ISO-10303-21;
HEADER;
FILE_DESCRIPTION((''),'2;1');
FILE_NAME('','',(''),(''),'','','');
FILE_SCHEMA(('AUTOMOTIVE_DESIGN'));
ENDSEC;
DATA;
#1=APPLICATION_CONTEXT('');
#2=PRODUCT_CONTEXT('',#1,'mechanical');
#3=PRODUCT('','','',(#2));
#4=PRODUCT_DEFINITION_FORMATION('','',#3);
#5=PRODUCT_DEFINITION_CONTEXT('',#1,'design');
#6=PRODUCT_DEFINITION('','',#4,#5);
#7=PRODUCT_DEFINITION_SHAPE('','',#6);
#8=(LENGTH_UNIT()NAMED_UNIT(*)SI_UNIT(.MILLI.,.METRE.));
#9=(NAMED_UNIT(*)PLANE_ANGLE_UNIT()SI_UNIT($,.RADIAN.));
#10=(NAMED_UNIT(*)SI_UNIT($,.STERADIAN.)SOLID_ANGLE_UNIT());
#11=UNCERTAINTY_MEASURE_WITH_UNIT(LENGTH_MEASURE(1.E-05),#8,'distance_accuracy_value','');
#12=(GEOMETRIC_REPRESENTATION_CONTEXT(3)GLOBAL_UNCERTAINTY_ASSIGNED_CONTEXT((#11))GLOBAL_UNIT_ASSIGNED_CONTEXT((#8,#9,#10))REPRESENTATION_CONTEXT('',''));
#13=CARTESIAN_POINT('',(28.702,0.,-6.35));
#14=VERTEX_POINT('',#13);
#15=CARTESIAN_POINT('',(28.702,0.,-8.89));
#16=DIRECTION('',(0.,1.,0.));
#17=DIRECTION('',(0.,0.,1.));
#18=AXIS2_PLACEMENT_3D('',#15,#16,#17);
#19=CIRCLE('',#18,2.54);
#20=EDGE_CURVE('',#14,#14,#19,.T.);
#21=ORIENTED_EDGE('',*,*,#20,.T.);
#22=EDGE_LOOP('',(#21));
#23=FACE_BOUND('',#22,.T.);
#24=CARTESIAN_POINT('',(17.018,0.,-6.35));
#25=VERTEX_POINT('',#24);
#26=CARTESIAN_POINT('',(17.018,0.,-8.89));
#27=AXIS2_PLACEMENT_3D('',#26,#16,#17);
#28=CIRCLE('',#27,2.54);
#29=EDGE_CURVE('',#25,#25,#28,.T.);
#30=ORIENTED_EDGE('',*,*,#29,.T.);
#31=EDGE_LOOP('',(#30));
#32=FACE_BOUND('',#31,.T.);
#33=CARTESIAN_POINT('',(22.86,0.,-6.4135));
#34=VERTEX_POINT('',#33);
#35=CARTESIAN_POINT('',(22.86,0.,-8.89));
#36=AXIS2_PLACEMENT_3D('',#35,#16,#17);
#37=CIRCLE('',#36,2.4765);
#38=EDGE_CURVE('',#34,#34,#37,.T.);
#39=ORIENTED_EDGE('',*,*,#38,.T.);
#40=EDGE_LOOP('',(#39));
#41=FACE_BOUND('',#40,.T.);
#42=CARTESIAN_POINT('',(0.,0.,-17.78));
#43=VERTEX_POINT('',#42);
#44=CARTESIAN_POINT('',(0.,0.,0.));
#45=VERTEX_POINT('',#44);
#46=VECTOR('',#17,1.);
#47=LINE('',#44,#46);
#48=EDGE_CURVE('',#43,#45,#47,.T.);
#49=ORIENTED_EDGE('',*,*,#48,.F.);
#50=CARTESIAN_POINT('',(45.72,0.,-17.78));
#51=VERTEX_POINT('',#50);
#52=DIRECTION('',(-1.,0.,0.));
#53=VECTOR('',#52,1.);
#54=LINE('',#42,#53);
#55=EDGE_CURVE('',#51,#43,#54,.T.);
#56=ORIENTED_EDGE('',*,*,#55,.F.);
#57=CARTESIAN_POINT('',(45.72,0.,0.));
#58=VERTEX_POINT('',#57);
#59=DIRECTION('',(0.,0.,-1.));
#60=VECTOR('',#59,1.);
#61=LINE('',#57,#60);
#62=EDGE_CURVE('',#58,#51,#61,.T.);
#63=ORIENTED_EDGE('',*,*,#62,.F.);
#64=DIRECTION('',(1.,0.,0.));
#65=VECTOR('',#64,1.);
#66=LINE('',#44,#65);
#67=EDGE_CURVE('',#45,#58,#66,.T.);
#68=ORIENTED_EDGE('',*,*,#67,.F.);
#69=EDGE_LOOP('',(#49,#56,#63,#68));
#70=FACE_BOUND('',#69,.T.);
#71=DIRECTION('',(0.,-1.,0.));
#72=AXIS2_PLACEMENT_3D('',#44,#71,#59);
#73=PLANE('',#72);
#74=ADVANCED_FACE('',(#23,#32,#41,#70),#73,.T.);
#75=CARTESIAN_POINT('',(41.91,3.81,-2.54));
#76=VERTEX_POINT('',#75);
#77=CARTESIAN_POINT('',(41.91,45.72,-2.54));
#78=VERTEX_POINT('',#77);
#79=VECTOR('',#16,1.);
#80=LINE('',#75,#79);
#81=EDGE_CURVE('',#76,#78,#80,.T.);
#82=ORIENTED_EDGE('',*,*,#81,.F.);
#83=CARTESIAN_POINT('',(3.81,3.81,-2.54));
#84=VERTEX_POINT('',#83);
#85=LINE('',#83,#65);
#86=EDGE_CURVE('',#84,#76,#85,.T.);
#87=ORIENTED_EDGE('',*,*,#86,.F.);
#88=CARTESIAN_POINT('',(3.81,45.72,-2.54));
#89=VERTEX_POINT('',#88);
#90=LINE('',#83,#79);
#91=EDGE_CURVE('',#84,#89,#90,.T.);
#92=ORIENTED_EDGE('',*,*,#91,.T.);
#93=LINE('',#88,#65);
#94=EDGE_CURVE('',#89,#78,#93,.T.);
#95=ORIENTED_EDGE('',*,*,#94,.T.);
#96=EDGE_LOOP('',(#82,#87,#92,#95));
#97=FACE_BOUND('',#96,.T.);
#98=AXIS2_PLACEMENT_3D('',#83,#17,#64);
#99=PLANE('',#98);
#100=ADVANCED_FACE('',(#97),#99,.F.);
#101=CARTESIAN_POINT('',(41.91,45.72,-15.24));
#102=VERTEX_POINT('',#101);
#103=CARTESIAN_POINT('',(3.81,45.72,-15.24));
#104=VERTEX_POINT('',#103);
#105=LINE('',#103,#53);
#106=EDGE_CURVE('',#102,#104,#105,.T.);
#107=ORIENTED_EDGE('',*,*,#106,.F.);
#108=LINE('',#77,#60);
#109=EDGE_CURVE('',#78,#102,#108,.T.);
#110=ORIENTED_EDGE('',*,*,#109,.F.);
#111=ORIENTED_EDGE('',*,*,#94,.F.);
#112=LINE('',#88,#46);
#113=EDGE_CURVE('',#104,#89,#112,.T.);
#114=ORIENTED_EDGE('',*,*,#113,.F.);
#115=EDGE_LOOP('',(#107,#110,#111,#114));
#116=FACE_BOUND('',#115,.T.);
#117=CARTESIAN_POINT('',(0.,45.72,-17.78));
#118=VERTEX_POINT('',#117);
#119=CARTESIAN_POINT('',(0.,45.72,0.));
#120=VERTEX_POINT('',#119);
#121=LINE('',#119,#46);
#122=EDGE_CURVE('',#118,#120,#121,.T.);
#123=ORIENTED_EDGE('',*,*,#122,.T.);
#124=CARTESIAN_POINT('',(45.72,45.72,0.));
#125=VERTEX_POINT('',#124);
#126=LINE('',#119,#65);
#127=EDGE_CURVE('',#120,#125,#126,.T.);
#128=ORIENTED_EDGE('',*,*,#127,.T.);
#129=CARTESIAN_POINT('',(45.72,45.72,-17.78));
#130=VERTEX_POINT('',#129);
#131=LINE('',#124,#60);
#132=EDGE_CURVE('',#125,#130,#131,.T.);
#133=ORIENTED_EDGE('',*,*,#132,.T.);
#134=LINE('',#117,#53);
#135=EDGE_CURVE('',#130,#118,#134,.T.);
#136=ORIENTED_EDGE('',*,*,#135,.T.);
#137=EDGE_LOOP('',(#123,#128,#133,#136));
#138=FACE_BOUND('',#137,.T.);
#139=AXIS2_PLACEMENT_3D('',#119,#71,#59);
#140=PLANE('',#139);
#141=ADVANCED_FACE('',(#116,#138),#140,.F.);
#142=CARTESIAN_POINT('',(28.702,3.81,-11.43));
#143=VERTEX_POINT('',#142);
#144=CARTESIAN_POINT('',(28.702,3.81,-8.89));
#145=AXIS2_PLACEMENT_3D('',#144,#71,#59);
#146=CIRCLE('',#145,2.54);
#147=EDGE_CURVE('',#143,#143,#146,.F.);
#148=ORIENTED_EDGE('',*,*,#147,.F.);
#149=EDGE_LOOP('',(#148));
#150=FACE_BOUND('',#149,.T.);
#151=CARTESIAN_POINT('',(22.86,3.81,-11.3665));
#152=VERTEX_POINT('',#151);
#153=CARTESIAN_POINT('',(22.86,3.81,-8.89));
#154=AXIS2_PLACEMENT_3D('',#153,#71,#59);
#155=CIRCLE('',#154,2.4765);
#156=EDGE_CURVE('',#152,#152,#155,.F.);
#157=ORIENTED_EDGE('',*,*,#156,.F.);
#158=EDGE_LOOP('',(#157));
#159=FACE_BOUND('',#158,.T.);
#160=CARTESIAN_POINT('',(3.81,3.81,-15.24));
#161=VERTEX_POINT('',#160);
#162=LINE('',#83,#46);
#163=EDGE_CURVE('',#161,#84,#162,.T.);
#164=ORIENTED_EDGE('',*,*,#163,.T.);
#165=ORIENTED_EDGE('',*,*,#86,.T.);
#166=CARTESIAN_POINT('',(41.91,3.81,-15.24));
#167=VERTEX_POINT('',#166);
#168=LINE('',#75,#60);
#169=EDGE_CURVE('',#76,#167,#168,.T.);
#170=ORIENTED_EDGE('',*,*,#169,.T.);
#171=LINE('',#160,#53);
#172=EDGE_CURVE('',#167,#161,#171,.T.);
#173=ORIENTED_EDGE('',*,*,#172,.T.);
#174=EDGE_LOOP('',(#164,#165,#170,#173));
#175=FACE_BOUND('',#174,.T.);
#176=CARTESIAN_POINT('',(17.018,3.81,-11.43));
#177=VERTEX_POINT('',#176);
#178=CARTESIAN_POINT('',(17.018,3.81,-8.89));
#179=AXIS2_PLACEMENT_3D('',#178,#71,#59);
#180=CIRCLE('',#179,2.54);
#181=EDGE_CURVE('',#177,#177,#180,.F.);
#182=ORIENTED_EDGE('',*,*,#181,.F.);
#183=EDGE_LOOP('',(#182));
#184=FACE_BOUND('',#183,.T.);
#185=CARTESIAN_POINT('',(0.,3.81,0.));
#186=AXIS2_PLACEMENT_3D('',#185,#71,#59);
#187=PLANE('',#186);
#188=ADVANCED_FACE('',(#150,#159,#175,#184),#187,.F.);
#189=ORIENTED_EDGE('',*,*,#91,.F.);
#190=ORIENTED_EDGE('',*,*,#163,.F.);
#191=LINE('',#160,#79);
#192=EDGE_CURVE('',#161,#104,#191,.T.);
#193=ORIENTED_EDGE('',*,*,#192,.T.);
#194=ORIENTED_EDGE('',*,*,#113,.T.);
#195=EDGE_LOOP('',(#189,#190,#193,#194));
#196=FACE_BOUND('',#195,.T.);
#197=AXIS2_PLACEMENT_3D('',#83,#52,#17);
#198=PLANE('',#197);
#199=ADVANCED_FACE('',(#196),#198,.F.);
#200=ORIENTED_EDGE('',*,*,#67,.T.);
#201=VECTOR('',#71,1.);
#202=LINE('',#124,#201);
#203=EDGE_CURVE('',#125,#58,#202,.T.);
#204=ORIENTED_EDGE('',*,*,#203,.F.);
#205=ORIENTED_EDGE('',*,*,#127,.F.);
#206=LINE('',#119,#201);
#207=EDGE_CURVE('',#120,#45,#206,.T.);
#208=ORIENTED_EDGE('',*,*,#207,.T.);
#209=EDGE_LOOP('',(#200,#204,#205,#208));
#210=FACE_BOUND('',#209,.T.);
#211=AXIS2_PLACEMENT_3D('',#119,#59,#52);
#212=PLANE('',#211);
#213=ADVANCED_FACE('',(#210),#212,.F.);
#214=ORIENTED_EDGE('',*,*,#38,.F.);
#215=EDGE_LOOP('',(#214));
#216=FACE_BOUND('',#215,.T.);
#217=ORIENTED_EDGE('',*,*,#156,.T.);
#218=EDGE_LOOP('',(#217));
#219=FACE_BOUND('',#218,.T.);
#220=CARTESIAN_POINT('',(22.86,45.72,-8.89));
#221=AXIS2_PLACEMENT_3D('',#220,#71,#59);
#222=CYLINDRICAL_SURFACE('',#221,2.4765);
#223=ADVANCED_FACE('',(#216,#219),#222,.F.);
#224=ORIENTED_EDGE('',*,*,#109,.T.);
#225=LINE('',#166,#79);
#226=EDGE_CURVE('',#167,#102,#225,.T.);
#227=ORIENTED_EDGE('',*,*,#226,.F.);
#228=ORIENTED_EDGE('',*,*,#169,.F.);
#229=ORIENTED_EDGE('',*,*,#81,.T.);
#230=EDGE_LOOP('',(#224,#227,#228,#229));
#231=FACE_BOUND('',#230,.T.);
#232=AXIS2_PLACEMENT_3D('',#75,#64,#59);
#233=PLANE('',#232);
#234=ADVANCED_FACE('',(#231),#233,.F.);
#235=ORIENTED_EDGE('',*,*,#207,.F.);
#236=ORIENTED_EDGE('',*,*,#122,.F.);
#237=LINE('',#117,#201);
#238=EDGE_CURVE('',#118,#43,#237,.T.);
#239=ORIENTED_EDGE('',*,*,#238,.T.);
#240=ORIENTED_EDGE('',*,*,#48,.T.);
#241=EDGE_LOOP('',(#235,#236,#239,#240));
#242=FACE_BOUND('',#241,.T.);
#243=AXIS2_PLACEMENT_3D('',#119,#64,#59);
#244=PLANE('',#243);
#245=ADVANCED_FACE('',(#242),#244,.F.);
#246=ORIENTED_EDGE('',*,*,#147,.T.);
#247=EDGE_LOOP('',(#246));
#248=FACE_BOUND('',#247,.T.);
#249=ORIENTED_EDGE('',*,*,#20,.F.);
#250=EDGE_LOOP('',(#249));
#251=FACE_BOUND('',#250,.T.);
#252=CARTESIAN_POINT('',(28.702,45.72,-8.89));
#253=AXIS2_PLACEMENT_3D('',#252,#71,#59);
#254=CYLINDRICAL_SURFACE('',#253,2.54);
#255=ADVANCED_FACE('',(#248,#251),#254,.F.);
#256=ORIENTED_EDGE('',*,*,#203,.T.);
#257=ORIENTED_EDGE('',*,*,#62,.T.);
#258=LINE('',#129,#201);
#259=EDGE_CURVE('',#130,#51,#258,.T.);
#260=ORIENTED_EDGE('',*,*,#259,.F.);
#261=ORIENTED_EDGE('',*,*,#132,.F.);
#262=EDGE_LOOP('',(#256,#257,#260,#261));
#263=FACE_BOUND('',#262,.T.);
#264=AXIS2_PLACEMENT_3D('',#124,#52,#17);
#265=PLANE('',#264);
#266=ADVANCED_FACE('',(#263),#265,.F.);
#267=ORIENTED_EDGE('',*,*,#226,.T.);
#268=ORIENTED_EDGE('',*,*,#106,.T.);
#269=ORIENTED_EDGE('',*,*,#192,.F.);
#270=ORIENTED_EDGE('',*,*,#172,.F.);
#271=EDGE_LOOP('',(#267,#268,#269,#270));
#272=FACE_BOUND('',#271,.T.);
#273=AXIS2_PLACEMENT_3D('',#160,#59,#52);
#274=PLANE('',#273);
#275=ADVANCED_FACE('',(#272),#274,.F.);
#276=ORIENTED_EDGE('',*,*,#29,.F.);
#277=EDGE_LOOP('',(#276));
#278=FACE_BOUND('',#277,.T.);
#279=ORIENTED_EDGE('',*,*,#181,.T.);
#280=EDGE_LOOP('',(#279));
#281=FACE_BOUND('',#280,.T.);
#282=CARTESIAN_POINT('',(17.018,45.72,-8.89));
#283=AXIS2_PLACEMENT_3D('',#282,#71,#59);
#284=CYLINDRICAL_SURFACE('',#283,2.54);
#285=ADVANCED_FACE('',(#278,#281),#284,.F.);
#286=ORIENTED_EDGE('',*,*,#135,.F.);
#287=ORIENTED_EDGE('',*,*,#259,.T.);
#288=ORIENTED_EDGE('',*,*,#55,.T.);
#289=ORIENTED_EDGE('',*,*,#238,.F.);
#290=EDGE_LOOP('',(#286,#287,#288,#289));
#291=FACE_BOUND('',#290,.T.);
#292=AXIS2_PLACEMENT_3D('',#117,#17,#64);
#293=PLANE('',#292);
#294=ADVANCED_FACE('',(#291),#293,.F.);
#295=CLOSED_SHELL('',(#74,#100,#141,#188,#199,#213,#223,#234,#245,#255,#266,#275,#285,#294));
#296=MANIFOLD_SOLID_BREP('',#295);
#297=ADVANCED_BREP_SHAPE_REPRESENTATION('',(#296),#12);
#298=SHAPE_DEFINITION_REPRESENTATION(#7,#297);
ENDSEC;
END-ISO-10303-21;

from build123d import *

# Parameters (mm, degrees)
SKETCH1_W           = 45.72
SKETCH1_H           = 17.78
BOSS_EXTRUDE1_DEPTH = 45.72
SKETCH2_W           = 38.1
SKETCH2_H           = 12.7
CUT_EXTRUDE1_DEPTH  = 41.91
SKETCH3_R           = 2.4765
SKETCH3_R_2         = 2.54
CUT_EXTRUDE2_DEPTH  = 46.72


with BuildPart() as part:
    # Sketch1 → Boss-Extrude1 (new body)
    with BuildSketch(Plane(origin=(0, 0, 0), x_dir=(1, 0, 0), z_dir=(0, 1, 0))):
        with Locations((22.86, 8.89)):
            Rectangle(SKETCH1_W, SKETCH1_H)
    extrude(amount=BOSS_EXTRUDE1_DEPTH)

    # Sketch2 → Cut-Extrude1 (cut)
    with BuildSketch(Plane(origin=(0, 45.72, 0), x_dir=(1, 0, 0), z_dir=(0, 1, 0))):
        with Locations((22.86, 8.89)):
            Rectangle(SKETCH2_W, SKETCH2_H)
    extrude(amount=-CUT_EXTRUDE1_DEPTH, mode=Mode.SUBTRACT)

    # Sketch3 → Cut-Extrude2 (cut, through all)
    with BuildSketch(Plane(origin=(0, 0, 0), x_dir=(1, 0, 0), z_dir=(0, 1, 0))):
        with Locations((22.86, 8.89)):
            Circle(SKETCH3_R)
        with Locations((17.018, 8.89)):
            Circle(SKETCH3_R_2)
        with Locations((28.702, 8.89)):
            Circle(SKETCH3_R_2)
    extrude(amount=CUT_EXTRUDE2_DEPTH, mode=Mode.SUBTRACT)


solid = part.part
